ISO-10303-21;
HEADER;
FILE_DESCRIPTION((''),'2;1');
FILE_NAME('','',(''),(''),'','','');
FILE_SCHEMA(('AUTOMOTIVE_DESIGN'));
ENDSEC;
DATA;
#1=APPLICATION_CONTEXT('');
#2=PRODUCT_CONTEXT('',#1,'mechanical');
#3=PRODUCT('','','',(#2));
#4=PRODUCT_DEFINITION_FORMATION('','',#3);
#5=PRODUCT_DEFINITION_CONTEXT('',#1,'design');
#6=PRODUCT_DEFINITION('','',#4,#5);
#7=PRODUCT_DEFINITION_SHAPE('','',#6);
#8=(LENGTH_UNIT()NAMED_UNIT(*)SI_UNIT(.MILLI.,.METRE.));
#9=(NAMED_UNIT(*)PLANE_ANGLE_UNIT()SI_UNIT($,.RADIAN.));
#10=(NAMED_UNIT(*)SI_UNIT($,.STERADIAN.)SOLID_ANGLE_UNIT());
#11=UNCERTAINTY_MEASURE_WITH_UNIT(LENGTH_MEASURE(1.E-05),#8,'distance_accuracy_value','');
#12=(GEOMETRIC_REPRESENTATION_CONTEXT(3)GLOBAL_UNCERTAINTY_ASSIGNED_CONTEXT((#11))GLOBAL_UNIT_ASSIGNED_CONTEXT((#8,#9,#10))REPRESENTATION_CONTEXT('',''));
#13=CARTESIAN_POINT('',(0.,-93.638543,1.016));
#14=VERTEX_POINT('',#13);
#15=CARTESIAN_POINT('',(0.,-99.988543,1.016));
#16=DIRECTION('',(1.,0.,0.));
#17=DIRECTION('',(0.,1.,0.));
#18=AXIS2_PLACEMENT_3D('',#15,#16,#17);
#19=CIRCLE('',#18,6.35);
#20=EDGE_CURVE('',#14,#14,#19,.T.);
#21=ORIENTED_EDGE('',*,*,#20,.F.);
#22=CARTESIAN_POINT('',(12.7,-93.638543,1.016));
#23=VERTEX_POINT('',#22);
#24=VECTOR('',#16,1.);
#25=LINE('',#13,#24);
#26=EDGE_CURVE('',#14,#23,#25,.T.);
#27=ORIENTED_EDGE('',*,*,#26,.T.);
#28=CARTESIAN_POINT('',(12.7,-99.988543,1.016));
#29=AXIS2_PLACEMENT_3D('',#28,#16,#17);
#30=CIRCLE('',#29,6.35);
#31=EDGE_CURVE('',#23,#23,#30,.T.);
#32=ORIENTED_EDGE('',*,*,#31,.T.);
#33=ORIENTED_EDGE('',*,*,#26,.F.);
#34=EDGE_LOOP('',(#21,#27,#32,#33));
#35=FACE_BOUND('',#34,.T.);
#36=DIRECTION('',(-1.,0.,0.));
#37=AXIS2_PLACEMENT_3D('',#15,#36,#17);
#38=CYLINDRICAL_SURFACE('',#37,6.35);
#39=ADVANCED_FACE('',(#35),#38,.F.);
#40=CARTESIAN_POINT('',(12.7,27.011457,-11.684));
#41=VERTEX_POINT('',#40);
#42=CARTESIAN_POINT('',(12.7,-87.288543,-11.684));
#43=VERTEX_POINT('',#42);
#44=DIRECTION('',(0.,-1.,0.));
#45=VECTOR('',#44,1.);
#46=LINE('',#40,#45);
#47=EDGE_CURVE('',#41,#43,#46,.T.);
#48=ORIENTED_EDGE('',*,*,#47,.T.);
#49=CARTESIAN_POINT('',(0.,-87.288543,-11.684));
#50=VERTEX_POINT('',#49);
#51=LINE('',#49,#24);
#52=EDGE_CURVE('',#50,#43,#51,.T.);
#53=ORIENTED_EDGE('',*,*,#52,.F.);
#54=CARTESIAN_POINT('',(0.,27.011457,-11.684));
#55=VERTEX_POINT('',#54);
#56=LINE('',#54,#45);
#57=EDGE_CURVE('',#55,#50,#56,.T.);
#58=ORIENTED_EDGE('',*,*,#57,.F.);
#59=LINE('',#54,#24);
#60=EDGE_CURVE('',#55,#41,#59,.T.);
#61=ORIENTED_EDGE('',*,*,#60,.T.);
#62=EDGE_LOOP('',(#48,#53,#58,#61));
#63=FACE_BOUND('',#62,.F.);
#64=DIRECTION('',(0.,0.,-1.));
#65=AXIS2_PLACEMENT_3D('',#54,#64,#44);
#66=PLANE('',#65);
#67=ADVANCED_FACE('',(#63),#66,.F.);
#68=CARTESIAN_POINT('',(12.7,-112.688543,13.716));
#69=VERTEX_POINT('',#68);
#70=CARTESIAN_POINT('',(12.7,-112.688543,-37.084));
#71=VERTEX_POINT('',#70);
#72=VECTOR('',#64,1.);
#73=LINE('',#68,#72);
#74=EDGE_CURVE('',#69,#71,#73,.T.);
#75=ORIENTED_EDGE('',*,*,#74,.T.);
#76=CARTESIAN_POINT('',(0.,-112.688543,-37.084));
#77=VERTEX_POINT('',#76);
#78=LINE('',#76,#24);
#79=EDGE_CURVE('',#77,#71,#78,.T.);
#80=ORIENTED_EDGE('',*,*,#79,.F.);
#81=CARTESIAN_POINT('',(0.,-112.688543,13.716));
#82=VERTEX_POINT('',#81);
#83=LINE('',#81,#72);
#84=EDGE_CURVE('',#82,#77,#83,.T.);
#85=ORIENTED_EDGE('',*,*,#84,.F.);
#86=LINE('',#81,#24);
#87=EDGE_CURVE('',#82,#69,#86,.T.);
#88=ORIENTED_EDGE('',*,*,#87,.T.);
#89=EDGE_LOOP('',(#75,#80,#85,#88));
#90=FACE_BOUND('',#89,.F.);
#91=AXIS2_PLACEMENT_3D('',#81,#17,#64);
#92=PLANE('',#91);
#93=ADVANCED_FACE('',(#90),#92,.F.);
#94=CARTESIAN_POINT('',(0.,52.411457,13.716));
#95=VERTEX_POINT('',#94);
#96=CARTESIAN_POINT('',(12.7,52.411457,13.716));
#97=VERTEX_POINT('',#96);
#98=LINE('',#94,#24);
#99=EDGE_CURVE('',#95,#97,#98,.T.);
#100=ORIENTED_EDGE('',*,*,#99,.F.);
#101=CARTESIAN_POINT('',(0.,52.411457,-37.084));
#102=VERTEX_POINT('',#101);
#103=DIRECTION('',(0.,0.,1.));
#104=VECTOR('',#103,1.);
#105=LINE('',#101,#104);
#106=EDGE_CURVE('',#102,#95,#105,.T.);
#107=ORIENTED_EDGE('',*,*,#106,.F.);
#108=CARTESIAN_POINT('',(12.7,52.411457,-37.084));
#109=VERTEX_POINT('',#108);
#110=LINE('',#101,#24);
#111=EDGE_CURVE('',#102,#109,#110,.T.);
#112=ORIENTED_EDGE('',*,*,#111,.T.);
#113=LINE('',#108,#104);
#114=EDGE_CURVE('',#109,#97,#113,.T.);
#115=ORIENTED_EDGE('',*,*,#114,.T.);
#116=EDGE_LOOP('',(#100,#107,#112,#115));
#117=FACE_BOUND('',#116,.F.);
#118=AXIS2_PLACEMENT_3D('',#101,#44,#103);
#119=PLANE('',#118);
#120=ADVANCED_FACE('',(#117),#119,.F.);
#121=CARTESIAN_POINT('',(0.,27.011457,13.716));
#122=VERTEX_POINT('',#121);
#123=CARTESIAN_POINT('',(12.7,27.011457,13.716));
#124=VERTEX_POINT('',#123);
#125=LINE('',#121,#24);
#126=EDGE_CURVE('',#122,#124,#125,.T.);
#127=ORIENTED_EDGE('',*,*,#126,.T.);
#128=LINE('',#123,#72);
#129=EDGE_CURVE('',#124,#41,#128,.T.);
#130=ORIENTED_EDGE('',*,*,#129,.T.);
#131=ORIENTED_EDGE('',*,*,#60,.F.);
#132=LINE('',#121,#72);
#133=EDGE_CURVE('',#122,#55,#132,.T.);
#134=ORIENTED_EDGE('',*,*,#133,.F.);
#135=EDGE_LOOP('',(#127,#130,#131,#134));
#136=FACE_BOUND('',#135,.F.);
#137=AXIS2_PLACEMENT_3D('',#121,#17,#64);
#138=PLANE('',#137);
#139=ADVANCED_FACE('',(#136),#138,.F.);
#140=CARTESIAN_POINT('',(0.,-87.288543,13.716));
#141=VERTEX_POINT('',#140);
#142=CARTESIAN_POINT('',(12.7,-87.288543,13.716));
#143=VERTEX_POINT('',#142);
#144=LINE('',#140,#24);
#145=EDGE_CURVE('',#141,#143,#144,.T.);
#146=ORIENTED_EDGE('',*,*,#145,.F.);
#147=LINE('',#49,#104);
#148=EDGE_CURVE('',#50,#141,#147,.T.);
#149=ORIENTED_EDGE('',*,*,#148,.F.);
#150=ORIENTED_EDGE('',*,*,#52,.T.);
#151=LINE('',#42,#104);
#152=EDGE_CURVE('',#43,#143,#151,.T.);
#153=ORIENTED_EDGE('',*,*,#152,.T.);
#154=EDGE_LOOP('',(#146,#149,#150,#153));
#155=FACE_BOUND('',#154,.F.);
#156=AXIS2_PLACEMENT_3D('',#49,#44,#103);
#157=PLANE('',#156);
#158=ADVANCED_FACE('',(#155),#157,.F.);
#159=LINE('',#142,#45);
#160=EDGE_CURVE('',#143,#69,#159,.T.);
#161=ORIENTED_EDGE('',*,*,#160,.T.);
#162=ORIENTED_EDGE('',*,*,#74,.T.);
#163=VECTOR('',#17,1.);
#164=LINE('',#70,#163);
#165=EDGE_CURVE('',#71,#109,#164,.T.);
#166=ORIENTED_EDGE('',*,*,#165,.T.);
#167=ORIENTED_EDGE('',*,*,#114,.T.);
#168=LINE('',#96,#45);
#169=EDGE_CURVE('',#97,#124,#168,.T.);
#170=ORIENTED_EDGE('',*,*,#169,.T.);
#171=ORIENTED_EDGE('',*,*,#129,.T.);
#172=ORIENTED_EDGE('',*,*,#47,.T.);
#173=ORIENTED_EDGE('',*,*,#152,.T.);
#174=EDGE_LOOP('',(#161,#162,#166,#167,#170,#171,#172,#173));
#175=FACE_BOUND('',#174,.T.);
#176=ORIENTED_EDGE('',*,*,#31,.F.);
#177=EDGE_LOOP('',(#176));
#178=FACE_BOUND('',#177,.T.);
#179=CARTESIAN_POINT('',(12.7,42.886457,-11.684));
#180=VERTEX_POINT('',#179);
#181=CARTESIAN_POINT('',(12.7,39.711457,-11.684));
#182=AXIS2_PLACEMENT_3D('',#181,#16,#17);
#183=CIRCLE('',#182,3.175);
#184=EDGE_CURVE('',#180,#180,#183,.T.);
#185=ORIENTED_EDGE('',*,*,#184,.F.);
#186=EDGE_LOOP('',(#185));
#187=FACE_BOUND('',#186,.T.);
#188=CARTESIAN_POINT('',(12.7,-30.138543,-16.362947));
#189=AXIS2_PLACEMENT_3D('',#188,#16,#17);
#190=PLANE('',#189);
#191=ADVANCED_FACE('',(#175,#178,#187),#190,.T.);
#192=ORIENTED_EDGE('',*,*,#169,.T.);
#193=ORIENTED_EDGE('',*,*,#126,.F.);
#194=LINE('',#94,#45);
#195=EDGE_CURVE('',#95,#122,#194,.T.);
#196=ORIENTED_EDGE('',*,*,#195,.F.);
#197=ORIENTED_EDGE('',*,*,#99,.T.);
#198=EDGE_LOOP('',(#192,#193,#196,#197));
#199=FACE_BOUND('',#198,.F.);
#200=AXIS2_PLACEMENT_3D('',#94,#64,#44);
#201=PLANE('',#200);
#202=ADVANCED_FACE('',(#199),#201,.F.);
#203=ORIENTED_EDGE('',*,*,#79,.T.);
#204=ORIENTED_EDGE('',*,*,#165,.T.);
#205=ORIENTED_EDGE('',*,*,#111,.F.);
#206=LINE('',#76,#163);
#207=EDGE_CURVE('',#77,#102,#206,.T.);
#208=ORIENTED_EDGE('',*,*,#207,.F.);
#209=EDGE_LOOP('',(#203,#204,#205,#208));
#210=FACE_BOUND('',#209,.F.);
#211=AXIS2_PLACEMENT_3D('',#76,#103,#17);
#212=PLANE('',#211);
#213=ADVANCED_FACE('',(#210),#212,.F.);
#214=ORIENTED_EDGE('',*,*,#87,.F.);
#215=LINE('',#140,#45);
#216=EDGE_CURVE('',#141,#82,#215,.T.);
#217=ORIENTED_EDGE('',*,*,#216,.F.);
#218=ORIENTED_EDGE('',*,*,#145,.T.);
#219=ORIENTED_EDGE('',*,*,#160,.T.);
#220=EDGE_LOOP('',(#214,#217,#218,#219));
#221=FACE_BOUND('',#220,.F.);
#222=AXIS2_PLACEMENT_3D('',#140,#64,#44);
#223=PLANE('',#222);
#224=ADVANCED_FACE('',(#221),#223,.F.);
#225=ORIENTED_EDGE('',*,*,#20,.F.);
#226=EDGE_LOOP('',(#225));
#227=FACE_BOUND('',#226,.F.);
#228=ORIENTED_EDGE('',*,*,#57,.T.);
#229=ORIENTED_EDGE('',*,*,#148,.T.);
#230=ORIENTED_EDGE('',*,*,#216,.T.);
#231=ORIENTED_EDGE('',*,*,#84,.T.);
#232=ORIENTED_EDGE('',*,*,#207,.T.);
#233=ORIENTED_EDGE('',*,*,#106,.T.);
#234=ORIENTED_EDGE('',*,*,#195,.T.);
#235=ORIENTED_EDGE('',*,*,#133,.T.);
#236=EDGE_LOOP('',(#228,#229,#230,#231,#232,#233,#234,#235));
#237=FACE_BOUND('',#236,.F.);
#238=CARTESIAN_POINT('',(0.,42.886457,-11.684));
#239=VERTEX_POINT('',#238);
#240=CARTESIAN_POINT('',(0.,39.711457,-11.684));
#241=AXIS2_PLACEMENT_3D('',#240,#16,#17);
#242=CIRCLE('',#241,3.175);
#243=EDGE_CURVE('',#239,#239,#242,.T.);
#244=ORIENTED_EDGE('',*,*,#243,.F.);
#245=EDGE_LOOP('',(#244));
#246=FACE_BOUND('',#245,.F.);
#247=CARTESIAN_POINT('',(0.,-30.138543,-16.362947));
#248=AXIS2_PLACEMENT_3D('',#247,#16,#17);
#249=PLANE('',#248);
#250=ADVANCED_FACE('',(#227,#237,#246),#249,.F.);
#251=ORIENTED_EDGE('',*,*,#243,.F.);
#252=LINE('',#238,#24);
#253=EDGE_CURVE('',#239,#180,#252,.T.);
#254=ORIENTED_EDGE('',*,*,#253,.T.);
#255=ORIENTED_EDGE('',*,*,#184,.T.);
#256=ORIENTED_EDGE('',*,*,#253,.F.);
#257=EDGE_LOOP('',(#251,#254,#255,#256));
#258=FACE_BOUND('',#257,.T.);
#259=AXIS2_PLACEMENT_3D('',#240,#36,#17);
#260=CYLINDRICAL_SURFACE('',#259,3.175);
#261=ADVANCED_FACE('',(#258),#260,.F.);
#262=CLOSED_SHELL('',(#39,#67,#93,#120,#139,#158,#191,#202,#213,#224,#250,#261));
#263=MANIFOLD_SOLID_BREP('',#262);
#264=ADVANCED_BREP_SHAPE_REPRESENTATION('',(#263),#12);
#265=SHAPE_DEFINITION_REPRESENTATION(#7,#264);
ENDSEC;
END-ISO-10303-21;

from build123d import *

# Parameters (mm, degrees)
F0_R     = 6.35
F0_R_2   = 3.175
F1_DEPTH = 12.7


with BuildPart() as f1:
    # F0 (on Right) → F1 (new body)
    with BuildSketch(Plane.YZ):
        Polygon((-87.288543, 13.716), (-112.688543, 13.716), (-112.688543, -37.084), (52.411457, -37.084), (52.411457, 13.716), (27.011457, 13.716), (27.011457, -11.684), (-87.288543, -11.684), align=None)
        with Locations((-99.988543, 1.016)):
            Circle(F0_R, mode=Mode.SUBTRACT)
        with Locations((39.711457, -11.684)):
            Circle(F0_R_2, mode=Mode.SUBTRACT)
    extrude(amount=F1_DEPTH)


solid = f1.part
